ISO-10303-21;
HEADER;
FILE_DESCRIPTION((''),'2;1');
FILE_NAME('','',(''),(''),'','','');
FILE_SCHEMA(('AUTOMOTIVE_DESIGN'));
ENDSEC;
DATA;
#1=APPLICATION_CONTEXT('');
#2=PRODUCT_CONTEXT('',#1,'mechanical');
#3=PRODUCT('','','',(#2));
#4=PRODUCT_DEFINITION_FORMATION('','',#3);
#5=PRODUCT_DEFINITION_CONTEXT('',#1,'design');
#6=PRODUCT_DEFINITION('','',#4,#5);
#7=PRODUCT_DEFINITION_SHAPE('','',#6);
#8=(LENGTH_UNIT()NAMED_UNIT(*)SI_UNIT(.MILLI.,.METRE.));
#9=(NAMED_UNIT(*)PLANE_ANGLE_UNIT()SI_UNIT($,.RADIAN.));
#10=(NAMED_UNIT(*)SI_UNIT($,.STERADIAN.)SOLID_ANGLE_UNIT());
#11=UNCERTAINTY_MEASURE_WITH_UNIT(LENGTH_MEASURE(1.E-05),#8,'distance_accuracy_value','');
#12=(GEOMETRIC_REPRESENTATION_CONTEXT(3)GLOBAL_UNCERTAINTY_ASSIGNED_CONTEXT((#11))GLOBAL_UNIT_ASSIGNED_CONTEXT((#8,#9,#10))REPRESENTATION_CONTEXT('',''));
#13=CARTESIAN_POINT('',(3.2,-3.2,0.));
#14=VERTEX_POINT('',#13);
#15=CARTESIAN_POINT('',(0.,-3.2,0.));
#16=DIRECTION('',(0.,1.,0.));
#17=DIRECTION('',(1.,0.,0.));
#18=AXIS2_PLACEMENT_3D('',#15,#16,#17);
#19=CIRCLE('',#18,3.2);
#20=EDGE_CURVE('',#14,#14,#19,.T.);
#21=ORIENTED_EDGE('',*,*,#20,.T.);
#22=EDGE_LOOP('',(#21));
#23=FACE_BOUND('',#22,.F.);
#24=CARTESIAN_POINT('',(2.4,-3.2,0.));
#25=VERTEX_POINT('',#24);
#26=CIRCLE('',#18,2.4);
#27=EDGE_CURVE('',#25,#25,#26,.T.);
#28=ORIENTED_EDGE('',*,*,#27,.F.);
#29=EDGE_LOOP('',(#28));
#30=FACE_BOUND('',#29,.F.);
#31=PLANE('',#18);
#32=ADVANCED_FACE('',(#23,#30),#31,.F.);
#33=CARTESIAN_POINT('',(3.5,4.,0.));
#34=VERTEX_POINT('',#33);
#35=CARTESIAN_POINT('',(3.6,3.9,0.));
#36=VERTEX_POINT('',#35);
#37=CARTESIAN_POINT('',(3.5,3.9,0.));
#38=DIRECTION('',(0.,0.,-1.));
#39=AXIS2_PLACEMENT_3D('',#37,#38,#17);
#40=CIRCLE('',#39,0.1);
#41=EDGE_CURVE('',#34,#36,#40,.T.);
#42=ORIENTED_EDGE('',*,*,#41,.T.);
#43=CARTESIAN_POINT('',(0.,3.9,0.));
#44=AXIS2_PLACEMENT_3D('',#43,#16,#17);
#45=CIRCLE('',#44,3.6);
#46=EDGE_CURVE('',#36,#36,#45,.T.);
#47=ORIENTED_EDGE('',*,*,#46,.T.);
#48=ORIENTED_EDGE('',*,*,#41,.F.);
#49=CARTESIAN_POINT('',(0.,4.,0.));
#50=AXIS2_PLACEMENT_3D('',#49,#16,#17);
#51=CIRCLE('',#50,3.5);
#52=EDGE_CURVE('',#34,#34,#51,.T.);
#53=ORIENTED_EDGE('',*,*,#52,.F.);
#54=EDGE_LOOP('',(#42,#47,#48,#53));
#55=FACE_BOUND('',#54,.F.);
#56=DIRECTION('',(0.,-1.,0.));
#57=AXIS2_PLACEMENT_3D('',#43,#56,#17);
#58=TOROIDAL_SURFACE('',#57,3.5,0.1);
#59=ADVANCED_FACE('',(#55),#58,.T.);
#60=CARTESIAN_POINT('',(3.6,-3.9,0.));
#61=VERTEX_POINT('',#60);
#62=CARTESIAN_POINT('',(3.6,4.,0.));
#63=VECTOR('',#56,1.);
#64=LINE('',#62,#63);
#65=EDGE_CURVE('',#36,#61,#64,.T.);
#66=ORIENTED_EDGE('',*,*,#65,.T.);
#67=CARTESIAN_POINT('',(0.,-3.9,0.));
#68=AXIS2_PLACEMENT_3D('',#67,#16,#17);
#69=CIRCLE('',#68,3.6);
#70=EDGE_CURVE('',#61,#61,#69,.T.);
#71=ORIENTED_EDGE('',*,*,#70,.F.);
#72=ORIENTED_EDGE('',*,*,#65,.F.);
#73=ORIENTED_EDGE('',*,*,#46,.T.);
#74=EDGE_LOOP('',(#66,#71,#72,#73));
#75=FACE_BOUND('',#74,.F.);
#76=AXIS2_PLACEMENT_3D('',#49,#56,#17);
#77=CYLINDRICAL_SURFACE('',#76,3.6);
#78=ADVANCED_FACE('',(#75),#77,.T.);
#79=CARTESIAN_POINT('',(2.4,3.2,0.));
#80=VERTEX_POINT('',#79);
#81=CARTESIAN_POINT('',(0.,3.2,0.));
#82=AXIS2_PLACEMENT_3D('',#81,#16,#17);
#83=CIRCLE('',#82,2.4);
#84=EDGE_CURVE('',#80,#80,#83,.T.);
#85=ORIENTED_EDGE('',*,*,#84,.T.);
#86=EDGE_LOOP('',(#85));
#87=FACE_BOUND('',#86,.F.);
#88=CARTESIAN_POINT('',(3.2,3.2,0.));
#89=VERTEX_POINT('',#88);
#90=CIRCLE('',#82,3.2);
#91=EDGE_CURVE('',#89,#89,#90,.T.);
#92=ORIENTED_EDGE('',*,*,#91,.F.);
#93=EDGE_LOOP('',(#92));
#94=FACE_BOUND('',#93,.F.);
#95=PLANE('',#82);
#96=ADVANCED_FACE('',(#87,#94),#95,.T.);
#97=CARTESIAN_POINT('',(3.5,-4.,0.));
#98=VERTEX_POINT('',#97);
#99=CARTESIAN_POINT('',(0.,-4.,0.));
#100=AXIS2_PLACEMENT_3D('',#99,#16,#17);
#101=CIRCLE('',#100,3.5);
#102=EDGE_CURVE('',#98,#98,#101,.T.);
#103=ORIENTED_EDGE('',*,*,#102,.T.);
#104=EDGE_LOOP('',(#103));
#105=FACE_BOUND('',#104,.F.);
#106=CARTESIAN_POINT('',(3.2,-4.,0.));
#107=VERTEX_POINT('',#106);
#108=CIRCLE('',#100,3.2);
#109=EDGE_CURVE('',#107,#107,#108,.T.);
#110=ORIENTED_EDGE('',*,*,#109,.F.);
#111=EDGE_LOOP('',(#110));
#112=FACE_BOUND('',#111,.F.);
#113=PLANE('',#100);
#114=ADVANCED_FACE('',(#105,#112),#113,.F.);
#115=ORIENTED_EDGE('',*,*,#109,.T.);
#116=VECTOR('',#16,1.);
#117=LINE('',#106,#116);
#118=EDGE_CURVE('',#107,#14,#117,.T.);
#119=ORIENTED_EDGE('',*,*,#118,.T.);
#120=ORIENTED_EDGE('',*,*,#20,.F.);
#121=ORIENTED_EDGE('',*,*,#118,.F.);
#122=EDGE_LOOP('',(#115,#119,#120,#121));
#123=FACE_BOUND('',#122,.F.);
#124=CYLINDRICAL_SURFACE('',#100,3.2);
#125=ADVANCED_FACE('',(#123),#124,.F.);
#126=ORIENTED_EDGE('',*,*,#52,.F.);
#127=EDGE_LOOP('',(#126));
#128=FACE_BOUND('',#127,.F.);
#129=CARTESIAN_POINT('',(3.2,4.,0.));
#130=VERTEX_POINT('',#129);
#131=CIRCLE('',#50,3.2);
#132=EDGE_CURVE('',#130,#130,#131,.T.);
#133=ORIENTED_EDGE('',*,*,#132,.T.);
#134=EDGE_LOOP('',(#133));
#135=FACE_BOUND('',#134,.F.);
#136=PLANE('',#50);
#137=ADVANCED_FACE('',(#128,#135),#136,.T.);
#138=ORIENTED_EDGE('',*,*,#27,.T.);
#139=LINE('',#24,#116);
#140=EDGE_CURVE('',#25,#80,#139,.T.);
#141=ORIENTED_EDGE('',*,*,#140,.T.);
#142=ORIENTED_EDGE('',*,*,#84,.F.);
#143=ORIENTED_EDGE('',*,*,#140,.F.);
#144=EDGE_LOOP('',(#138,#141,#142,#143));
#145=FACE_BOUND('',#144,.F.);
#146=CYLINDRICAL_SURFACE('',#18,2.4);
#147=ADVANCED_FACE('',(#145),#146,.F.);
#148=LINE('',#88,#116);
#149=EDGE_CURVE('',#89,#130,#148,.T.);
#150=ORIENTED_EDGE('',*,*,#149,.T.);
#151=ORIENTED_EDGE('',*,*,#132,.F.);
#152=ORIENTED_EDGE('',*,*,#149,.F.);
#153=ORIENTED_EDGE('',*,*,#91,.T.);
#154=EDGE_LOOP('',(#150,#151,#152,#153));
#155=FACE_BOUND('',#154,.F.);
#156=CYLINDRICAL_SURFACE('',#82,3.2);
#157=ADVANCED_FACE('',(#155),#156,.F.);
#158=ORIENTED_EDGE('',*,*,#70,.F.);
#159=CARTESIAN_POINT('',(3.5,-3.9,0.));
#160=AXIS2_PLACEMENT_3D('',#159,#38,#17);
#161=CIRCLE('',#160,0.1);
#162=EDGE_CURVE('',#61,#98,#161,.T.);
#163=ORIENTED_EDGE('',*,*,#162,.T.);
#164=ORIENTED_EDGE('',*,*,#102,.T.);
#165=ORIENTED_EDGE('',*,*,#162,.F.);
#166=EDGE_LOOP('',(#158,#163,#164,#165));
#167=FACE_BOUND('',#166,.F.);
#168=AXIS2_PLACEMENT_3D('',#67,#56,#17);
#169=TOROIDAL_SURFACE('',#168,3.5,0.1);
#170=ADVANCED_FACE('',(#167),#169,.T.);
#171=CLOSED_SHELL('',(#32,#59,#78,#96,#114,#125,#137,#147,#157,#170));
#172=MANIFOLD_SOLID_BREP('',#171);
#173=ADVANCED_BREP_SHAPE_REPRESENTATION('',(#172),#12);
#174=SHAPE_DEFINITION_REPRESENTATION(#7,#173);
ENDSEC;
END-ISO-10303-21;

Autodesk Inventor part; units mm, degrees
ref_plane "YZ Plane" through (0, 0, 0) normal (1, 0, 0) x (0, 1, 0)
ref_plane "XZ Plane" through (0, 0, 0) normal (0, 1, 0) x (-1, 0, 0)
ref_plane "XY Plane" through (0, 0, 0) normal (0, 0, 1) x (1, 0, 0)
sketch "Sketch1" plane through (0, 0, 0) normal (0, 0, 1) x (1, 0, 0)
  line L0 (0, -5.6) -> (0, 5.6) projected
  line L1 (2.4, -3.2) -> (2.4, 3.2)
  line L2 (2.4, 3.2) -> (3.2, 3.2)
  line L3 (3.2, 3.2) -> (3.2, 4)
  line L4 (3.2, 4) -> (3.6, 4)
  line L5 (3.6, 4) -> (3.6, -4)
  line L6 (3.6, -4) -> (3.2, -4)
  line L7 (3.2, -4) -> (3.2, -3.2)
  line L8 (3.2, -3.2) -> (2.4, -3.2)
  point P0 (0, 0)
  point P1 (2.4, 0)
  dimension "d0" = 4.8
  dimension "d1" = 8
  dimension "d2" = 6.4
  dimension "d3" = 0.8
  dimension "d4" = 7.2
revolve "Revolution1" add sketch "Sketch1" angle 360 about axis through (0, -10, 0) along (0, 1, 0)
fillet "Fillet1" radius 0.1 2 edges at (-3.6, 4, 0) (-3.6, -4, 0)
equation "\"d0\" = tpd"
equation "\"d1\" = lu"
equation "\"d2\" = tsd"
equation "\"d3\" = tsl"
equation "\"d4\" = tlad"
equation "\"tpd\" = 4.8"
equation "\"lu\" = 8"
equation "\"tsd\" = 6.4"
equation "\"tsl\" = 0.8"
equation "\"tlad\" = 7.2"
properties part number "18654-DkBluishGray" material "ABS Plastic"
